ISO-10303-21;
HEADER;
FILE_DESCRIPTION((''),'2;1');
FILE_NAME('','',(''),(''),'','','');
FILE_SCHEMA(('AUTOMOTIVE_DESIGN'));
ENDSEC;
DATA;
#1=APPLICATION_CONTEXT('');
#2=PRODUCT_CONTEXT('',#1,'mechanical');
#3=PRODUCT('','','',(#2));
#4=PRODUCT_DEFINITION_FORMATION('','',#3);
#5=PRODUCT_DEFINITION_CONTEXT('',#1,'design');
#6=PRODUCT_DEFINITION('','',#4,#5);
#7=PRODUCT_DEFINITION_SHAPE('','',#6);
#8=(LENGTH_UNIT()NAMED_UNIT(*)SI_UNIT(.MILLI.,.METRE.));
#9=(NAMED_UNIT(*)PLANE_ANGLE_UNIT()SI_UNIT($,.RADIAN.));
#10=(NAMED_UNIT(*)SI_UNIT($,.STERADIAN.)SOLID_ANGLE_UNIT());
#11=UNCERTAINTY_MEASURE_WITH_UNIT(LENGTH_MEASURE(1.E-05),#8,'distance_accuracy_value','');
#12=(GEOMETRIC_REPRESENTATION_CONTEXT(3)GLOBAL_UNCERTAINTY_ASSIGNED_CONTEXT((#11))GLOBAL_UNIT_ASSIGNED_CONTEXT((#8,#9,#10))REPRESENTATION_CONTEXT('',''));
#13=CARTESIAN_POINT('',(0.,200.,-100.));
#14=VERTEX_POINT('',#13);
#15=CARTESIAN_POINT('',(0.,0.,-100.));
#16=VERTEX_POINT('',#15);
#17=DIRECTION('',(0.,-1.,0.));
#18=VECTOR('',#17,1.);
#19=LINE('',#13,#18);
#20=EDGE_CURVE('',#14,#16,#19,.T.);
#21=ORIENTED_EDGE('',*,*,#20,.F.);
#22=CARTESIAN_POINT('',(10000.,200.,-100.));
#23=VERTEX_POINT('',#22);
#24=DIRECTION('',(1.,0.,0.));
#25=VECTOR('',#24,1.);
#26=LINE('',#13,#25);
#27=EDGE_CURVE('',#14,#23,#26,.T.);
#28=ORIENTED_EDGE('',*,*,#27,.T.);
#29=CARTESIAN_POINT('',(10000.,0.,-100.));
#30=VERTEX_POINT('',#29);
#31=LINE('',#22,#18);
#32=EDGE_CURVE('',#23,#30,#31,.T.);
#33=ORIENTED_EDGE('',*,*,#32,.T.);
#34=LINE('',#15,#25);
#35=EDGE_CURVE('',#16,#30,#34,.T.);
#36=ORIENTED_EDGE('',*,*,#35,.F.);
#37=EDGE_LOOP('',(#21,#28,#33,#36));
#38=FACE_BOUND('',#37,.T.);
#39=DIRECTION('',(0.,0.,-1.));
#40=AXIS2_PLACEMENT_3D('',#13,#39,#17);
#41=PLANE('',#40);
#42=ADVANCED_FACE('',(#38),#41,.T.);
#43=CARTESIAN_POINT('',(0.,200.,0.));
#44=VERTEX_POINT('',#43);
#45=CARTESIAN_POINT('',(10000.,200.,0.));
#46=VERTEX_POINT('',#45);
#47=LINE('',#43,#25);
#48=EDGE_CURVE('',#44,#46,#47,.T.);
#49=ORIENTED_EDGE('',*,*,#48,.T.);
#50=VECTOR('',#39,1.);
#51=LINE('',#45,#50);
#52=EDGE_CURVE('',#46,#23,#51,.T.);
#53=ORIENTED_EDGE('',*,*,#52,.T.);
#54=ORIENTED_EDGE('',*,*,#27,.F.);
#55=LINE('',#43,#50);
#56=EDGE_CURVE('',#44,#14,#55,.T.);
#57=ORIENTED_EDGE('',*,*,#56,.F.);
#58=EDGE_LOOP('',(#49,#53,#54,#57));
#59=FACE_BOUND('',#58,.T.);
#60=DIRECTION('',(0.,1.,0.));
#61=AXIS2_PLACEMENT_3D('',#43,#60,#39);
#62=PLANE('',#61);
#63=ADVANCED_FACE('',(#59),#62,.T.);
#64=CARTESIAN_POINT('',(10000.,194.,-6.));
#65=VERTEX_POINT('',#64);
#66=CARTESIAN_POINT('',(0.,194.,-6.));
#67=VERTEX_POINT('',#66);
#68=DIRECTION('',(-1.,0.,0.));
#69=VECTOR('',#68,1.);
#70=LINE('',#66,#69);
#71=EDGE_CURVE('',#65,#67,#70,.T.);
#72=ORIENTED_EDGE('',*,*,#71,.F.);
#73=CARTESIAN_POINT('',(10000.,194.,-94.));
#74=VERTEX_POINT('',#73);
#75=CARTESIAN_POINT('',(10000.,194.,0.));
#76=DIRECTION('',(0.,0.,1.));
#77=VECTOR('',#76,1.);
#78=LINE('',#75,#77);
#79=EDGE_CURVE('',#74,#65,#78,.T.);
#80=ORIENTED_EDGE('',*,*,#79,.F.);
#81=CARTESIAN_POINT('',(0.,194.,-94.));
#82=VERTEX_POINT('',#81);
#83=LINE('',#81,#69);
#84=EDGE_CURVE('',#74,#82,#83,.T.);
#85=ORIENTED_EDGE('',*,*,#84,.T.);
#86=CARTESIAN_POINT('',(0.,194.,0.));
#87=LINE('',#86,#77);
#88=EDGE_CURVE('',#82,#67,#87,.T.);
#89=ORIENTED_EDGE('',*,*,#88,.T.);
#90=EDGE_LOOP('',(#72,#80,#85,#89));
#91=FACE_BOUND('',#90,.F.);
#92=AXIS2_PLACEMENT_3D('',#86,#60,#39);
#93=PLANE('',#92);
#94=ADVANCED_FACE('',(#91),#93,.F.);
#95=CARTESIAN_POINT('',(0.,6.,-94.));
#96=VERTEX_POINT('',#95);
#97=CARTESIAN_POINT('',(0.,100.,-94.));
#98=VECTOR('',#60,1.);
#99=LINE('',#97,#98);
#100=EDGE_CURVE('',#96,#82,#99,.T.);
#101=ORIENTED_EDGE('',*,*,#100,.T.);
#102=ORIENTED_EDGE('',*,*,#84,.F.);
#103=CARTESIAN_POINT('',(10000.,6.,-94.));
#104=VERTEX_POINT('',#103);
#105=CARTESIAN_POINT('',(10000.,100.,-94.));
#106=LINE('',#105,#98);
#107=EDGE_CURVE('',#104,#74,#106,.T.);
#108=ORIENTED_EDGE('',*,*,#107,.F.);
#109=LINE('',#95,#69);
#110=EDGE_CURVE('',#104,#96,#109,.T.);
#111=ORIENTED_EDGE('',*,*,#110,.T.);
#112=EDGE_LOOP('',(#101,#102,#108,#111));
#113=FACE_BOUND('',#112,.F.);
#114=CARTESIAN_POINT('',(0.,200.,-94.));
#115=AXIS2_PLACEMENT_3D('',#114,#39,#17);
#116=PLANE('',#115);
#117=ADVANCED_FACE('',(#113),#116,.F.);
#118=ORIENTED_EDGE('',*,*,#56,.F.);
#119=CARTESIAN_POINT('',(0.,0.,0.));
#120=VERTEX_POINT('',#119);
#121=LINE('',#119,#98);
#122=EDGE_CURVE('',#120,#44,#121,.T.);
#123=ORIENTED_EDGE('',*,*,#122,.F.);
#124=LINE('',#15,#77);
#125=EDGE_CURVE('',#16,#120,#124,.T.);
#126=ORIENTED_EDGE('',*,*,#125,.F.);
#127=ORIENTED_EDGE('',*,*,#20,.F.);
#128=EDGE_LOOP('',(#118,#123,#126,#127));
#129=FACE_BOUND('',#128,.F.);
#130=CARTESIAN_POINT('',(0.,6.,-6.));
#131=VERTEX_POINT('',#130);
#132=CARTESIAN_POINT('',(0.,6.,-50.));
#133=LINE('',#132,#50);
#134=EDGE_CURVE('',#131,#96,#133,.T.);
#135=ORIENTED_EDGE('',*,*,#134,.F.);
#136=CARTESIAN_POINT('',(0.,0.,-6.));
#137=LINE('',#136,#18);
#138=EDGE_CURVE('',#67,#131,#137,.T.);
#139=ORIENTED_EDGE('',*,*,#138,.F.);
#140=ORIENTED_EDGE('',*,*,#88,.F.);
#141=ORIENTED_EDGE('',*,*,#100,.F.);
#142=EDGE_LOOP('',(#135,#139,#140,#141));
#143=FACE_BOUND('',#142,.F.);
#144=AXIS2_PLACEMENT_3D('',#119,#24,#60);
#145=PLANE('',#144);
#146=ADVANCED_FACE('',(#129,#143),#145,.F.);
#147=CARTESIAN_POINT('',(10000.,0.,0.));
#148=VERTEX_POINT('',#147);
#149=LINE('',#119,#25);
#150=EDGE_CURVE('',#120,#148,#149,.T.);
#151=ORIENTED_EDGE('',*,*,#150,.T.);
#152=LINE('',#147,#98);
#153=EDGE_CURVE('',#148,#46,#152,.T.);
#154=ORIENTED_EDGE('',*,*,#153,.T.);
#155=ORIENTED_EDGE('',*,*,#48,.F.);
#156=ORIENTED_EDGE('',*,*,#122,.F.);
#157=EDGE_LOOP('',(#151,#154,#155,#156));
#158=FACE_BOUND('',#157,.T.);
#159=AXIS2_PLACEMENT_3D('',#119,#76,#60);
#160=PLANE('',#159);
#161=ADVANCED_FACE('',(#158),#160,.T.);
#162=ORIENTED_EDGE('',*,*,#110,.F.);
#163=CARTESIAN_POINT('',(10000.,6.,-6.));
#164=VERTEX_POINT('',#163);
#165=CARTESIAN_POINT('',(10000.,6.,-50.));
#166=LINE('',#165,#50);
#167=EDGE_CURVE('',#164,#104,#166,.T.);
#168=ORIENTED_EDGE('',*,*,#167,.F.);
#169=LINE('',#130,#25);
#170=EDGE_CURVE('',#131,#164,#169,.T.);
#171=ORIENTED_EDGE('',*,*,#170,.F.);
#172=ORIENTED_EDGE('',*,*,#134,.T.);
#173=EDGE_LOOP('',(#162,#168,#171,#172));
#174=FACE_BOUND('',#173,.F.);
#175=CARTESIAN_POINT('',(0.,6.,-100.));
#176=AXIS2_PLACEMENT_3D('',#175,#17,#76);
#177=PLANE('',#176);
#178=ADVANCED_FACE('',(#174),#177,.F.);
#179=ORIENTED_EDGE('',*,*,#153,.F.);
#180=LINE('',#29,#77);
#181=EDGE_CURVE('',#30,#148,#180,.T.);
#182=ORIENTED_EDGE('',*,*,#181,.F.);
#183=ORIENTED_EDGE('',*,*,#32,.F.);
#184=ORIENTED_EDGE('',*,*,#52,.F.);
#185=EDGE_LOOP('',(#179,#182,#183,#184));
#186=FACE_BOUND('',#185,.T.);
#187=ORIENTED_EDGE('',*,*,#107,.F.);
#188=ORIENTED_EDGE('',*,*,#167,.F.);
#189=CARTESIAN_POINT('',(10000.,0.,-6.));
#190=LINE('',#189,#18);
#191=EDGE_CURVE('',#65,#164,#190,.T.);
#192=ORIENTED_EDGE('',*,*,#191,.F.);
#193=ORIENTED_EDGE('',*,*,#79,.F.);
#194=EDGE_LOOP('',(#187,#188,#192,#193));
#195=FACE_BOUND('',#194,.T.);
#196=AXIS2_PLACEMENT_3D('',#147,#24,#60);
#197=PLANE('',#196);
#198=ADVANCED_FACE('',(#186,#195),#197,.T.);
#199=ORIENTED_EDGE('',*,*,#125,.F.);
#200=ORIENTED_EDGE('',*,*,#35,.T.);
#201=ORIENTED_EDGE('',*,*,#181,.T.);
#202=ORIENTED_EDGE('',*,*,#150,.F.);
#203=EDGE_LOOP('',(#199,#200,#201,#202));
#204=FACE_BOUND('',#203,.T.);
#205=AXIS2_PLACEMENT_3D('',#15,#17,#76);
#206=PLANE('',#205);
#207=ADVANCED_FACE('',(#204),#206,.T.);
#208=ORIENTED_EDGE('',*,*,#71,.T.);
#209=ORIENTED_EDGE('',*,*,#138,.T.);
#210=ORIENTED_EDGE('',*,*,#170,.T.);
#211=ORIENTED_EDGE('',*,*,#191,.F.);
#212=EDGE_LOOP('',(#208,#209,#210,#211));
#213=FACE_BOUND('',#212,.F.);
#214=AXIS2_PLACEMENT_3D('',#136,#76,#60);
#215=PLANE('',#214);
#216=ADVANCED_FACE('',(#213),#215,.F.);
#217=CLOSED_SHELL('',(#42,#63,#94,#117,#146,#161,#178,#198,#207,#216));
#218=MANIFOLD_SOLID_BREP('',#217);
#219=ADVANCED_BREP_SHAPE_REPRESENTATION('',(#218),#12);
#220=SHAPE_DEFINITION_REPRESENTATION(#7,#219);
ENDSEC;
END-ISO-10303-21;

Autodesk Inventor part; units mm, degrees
ref_plane "YZ Plane" through (0, 0, 0) normal (1, 0, 0) x (0, 1, 0)
ref_plane "XZ Plane" through (0, 0, 0) normal (0, 1, 0) x (-1, 0, 0)
ref_plane "XY Plane" through (0, 0, 0) normal (0, 0, 1) x (1, 0, 0)
sketch "Sketch1" plane through (0, 0, 0) normal (1, 0, 0) x (0, 1, 0)
  line L0 (0, 0) -> (200, 0)
  line L1 (200, 0) -> (200, -100)
  line L2 (200, -100) -> (0, -100)
  line L3 (0, -100) -> (0, 0)
  dimension "d0" = 200
  dimension "d1" = 100
extrude "Extrusion1" add sketch "Sketch1" along normal blind 10000
shell "Shell1" thickness 6 removed faces 2 at (0, 66.6667, -33.3333) at (10000, 66.6667, -33.3333)
properties part number "Box Beam" material "Aluminum 6061-AHC"
